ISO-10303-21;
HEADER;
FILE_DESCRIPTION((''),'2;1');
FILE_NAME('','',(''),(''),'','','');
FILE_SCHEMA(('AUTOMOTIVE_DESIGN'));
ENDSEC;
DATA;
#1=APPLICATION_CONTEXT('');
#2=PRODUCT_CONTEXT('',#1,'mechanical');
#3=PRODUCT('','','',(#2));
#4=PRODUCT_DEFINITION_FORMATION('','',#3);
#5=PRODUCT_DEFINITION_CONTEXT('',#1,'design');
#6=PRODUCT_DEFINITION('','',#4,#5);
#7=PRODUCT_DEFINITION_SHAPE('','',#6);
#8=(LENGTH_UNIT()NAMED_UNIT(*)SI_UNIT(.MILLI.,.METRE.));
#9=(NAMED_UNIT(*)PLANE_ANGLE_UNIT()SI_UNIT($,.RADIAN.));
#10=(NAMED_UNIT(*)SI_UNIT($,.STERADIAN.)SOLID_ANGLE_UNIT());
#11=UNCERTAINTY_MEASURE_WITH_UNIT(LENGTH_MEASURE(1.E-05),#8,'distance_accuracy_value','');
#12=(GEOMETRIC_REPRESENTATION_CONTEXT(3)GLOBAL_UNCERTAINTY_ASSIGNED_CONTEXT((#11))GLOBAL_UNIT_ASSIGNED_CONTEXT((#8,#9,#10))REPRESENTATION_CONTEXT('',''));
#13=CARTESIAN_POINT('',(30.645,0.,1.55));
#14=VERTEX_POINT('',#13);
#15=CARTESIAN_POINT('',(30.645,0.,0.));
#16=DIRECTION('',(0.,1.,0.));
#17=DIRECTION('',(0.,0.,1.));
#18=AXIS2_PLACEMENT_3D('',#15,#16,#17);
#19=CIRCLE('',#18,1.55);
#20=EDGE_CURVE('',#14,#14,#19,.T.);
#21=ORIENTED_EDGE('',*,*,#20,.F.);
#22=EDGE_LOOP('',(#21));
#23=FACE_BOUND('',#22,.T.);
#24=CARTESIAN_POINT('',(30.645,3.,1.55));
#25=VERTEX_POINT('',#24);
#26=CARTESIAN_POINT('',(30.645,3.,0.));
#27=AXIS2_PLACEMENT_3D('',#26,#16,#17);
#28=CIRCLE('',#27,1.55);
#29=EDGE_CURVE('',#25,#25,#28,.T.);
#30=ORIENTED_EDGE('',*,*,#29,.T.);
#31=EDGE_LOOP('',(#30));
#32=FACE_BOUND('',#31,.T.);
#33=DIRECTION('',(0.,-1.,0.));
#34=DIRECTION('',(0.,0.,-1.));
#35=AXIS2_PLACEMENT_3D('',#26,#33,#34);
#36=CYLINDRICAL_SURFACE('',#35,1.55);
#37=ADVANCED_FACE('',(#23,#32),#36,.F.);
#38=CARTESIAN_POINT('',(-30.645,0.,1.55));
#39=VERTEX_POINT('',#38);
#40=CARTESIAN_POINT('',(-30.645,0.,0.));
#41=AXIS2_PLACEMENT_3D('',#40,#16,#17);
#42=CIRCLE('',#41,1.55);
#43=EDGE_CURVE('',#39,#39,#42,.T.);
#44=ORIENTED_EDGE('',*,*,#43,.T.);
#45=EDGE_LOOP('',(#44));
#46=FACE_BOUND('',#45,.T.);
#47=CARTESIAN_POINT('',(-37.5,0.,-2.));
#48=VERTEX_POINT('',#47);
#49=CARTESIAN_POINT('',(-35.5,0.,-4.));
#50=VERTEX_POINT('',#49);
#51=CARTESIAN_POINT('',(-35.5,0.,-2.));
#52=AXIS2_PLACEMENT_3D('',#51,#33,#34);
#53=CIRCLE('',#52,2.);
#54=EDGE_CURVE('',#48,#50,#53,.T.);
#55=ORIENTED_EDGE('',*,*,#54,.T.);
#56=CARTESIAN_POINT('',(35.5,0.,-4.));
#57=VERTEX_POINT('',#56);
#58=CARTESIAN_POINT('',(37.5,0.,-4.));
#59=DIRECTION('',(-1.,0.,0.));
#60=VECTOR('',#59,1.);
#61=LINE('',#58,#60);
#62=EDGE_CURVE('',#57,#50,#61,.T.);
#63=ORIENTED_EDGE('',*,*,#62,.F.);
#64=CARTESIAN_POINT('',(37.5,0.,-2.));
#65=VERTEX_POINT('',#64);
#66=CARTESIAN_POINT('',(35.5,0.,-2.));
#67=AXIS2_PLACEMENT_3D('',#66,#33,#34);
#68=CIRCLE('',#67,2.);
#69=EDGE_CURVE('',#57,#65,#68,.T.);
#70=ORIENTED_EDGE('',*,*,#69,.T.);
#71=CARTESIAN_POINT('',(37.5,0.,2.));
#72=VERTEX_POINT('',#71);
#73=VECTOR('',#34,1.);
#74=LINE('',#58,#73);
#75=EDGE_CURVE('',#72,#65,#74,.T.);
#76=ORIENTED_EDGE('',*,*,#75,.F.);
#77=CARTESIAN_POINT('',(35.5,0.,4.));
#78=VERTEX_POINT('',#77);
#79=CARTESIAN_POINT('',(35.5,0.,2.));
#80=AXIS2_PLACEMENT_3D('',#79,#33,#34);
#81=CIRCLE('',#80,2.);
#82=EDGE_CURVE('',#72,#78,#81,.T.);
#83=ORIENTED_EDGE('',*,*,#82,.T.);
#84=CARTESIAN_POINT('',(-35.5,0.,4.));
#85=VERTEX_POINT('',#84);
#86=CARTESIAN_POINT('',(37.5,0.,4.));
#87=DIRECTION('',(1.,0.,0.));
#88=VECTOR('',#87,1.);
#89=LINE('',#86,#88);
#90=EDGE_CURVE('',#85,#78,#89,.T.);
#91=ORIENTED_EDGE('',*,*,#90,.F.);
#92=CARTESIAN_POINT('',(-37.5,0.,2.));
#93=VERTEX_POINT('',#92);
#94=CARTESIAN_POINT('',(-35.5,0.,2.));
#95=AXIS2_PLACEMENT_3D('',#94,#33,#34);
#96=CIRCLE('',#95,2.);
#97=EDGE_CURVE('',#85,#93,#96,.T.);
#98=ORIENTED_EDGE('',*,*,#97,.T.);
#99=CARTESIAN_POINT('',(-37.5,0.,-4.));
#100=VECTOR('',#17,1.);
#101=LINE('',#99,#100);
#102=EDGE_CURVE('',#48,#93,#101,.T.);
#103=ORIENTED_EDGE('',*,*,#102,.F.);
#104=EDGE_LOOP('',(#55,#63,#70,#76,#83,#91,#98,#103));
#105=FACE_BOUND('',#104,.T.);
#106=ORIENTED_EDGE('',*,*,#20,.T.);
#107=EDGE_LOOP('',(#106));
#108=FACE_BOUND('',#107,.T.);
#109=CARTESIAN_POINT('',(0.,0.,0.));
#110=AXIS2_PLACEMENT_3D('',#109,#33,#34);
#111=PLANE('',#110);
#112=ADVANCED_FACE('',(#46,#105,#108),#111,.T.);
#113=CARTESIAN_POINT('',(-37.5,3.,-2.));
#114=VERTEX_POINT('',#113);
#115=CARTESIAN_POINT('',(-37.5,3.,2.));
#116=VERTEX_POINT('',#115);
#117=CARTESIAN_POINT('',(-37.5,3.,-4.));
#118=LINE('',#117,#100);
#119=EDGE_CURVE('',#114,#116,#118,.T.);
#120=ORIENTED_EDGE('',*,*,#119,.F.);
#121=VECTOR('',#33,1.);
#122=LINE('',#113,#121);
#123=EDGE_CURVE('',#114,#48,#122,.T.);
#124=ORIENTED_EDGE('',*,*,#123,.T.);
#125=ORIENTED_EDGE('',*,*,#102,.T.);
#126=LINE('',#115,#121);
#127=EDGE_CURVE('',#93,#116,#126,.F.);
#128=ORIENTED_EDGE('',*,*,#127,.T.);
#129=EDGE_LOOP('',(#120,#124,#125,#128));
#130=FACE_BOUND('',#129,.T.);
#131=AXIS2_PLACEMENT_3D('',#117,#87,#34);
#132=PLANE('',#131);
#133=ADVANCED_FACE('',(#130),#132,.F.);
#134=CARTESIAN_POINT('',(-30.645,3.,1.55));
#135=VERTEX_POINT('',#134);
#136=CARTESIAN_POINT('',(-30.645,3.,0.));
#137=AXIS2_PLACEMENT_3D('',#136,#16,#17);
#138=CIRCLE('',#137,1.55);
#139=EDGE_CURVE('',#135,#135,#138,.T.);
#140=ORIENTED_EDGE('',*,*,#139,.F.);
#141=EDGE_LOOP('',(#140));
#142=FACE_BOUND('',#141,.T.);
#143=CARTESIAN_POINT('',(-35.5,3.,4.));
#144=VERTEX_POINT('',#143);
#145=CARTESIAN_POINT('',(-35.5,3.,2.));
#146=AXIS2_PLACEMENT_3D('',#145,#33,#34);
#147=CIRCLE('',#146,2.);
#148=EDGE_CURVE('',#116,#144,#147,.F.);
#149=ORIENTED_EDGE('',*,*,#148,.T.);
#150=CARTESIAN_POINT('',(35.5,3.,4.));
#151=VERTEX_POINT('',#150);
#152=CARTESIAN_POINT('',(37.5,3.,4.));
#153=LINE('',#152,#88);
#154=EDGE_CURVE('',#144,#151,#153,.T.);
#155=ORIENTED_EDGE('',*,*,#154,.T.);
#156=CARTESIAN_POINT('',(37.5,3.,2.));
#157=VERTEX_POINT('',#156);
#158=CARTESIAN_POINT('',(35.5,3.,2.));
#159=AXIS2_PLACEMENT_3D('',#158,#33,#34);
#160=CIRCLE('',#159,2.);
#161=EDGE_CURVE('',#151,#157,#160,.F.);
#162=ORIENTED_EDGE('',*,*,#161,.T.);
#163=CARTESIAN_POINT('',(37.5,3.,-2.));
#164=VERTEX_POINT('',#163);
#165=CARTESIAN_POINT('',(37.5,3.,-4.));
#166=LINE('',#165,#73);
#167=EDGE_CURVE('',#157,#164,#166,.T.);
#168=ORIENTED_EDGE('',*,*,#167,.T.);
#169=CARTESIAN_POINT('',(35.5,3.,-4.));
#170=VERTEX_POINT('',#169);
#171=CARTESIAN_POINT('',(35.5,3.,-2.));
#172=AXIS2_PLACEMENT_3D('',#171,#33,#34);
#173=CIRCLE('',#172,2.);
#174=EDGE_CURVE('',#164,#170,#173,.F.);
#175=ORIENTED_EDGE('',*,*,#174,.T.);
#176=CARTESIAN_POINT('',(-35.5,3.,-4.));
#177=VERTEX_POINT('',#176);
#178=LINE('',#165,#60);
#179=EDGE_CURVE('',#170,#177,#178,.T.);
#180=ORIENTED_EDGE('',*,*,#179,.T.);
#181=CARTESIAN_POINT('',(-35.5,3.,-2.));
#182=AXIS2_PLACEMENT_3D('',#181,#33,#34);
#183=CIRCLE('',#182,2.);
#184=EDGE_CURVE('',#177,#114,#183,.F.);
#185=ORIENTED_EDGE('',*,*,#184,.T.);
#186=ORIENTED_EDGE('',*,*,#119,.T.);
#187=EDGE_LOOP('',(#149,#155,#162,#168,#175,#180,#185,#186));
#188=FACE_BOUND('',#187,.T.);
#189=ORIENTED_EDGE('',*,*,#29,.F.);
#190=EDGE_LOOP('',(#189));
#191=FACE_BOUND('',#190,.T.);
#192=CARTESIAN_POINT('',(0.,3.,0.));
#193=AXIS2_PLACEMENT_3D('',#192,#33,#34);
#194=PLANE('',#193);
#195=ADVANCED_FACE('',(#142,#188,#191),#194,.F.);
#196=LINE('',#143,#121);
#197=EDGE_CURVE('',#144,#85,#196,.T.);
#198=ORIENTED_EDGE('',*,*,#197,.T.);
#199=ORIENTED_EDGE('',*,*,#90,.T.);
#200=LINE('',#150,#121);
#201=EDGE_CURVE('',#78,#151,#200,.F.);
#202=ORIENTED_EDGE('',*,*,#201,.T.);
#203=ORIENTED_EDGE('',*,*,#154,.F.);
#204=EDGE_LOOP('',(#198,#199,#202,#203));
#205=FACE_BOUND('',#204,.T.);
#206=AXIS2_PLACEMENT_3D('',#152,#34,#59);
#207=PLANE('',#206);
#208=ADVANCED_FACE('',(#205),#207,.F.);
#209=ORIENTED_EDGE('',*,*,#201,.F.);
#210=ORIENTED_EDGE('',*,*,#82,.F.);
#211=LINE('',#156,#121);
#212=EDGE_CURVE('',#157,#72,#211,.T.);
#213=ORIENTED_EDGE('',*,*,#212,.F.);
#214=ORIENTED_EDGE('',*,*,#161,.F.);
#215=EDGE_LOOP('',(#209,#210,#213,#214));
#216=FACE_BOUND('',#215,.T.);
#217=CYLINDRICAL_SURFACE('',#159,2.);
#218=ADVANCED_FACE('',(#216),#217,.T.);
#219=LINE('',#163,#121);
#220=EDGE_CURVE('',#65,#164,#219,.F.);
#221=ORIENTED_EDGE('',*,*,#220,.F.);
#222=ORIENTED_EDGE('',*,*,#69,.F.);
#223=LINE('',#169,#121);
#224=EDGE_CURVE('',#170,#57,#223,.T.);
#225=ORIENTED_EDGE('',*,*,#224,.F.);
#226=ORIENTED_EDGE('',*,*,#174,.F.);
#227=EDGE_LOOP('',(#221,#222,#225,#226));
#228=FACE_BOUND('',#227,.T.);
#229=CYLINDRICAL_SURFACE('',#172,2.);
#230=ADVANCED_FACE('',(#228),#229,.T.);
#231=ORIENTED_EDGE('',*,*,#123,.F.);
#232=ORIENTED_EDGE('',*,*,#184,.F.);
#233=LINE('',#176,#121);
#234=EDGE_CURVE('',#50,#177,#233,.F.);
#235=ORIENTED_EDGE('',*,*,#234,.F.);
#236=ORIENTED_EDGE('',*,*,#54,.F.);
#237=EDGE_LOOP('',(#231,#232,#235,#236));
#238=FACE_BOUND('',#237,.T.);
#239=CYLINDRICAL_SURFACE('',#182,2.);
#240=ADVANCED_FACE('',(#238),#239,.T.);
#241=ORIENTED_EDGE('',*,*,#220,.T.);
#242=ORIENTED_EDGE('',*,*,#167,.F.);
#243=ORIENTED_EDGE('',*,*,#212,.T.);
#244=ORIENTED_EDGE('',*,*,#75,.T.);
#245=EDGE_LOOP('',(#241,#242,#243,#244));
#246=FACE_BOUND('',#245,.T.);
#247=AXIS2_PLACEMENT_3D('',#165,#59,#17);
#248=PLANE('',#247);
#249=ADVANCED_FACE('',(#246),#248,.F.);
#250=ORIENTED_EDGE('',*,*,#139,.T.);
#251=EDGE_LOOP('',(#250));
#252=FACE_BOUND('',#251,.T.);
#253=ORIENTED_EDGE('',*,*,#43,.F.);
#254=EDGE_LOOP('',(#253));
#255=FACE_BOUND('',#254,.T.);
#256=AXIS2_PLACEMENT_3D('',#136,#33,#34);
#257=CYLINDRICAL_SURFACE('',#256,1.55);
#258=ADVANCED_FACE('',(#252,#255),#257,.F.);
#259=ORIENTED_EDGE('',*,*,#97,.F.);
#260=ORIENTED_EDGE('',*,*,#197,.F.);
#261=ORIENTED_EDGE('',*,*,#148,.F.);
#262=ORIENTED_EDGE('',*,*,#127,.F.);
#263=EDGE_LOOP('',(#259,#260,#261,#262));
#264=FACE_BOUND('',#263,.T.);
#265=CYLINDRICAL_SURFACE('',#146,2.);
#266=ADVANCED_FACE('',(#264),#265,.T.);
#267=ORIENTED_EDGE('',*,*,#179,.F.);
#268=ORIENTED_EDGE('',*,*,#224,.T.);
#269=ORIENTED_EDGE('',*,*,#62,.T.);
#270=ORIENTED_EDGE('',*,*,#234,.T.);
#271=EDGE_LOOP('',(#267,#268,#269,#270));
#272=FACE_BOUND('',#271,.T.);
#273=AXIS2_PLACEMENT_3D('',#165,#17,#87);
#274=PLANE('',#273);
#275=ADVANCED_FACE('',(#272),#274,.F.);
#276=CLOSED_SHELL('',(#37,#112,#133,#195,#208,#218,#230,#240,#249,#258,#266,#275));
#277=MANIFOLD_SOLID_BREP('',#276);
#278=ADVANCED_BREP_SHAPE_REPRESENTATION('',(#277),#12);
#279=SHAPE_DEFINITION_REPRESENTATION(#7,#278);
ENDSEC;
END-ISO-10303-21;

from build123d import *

# Parameters (mm, degrees)
SKETCH_1_W      = 75
SKETCH_1_H      = 8
SKETCH_1_R      = 1.55
EXTRUDE_1_DEPTH = 3
FILLET_1_R      = 2


with BuildPart() as part:
    # 草图1 → 凸台-拉伸1 (new body)
    with BuildSketch(Plane(origin=(0, 0, 0), x_dir=(1, 0, 0), z_dir=(0, 1, 0))):
        Rectangle(SKETCH_1_W, SKETCH_1_H)
        with Locations((-30.645, 0)):
            Circle(SKETCH_1_R, mode=Mode.SUBTRACT)
        with Locations((30.645, 0)):
            Circle(SKETCH_1_R, mode=Mode.SUBTRACT)
    extrude(amount=EXTRUDE_1_DEPTH)

    # 圆角1
    fillet_1_edges = [part.edges().sort_by_distance(p)[0] for p in [
        (-37.5, 1.5, -4),
        (37.5, 1.5, -4),
        (37.5, 1.5, 4),
        (-37.5, 1.5, 4),
    ]]
    fillet(fillet_1_edges, radius=FILLET_1_R)


solid = part.part
